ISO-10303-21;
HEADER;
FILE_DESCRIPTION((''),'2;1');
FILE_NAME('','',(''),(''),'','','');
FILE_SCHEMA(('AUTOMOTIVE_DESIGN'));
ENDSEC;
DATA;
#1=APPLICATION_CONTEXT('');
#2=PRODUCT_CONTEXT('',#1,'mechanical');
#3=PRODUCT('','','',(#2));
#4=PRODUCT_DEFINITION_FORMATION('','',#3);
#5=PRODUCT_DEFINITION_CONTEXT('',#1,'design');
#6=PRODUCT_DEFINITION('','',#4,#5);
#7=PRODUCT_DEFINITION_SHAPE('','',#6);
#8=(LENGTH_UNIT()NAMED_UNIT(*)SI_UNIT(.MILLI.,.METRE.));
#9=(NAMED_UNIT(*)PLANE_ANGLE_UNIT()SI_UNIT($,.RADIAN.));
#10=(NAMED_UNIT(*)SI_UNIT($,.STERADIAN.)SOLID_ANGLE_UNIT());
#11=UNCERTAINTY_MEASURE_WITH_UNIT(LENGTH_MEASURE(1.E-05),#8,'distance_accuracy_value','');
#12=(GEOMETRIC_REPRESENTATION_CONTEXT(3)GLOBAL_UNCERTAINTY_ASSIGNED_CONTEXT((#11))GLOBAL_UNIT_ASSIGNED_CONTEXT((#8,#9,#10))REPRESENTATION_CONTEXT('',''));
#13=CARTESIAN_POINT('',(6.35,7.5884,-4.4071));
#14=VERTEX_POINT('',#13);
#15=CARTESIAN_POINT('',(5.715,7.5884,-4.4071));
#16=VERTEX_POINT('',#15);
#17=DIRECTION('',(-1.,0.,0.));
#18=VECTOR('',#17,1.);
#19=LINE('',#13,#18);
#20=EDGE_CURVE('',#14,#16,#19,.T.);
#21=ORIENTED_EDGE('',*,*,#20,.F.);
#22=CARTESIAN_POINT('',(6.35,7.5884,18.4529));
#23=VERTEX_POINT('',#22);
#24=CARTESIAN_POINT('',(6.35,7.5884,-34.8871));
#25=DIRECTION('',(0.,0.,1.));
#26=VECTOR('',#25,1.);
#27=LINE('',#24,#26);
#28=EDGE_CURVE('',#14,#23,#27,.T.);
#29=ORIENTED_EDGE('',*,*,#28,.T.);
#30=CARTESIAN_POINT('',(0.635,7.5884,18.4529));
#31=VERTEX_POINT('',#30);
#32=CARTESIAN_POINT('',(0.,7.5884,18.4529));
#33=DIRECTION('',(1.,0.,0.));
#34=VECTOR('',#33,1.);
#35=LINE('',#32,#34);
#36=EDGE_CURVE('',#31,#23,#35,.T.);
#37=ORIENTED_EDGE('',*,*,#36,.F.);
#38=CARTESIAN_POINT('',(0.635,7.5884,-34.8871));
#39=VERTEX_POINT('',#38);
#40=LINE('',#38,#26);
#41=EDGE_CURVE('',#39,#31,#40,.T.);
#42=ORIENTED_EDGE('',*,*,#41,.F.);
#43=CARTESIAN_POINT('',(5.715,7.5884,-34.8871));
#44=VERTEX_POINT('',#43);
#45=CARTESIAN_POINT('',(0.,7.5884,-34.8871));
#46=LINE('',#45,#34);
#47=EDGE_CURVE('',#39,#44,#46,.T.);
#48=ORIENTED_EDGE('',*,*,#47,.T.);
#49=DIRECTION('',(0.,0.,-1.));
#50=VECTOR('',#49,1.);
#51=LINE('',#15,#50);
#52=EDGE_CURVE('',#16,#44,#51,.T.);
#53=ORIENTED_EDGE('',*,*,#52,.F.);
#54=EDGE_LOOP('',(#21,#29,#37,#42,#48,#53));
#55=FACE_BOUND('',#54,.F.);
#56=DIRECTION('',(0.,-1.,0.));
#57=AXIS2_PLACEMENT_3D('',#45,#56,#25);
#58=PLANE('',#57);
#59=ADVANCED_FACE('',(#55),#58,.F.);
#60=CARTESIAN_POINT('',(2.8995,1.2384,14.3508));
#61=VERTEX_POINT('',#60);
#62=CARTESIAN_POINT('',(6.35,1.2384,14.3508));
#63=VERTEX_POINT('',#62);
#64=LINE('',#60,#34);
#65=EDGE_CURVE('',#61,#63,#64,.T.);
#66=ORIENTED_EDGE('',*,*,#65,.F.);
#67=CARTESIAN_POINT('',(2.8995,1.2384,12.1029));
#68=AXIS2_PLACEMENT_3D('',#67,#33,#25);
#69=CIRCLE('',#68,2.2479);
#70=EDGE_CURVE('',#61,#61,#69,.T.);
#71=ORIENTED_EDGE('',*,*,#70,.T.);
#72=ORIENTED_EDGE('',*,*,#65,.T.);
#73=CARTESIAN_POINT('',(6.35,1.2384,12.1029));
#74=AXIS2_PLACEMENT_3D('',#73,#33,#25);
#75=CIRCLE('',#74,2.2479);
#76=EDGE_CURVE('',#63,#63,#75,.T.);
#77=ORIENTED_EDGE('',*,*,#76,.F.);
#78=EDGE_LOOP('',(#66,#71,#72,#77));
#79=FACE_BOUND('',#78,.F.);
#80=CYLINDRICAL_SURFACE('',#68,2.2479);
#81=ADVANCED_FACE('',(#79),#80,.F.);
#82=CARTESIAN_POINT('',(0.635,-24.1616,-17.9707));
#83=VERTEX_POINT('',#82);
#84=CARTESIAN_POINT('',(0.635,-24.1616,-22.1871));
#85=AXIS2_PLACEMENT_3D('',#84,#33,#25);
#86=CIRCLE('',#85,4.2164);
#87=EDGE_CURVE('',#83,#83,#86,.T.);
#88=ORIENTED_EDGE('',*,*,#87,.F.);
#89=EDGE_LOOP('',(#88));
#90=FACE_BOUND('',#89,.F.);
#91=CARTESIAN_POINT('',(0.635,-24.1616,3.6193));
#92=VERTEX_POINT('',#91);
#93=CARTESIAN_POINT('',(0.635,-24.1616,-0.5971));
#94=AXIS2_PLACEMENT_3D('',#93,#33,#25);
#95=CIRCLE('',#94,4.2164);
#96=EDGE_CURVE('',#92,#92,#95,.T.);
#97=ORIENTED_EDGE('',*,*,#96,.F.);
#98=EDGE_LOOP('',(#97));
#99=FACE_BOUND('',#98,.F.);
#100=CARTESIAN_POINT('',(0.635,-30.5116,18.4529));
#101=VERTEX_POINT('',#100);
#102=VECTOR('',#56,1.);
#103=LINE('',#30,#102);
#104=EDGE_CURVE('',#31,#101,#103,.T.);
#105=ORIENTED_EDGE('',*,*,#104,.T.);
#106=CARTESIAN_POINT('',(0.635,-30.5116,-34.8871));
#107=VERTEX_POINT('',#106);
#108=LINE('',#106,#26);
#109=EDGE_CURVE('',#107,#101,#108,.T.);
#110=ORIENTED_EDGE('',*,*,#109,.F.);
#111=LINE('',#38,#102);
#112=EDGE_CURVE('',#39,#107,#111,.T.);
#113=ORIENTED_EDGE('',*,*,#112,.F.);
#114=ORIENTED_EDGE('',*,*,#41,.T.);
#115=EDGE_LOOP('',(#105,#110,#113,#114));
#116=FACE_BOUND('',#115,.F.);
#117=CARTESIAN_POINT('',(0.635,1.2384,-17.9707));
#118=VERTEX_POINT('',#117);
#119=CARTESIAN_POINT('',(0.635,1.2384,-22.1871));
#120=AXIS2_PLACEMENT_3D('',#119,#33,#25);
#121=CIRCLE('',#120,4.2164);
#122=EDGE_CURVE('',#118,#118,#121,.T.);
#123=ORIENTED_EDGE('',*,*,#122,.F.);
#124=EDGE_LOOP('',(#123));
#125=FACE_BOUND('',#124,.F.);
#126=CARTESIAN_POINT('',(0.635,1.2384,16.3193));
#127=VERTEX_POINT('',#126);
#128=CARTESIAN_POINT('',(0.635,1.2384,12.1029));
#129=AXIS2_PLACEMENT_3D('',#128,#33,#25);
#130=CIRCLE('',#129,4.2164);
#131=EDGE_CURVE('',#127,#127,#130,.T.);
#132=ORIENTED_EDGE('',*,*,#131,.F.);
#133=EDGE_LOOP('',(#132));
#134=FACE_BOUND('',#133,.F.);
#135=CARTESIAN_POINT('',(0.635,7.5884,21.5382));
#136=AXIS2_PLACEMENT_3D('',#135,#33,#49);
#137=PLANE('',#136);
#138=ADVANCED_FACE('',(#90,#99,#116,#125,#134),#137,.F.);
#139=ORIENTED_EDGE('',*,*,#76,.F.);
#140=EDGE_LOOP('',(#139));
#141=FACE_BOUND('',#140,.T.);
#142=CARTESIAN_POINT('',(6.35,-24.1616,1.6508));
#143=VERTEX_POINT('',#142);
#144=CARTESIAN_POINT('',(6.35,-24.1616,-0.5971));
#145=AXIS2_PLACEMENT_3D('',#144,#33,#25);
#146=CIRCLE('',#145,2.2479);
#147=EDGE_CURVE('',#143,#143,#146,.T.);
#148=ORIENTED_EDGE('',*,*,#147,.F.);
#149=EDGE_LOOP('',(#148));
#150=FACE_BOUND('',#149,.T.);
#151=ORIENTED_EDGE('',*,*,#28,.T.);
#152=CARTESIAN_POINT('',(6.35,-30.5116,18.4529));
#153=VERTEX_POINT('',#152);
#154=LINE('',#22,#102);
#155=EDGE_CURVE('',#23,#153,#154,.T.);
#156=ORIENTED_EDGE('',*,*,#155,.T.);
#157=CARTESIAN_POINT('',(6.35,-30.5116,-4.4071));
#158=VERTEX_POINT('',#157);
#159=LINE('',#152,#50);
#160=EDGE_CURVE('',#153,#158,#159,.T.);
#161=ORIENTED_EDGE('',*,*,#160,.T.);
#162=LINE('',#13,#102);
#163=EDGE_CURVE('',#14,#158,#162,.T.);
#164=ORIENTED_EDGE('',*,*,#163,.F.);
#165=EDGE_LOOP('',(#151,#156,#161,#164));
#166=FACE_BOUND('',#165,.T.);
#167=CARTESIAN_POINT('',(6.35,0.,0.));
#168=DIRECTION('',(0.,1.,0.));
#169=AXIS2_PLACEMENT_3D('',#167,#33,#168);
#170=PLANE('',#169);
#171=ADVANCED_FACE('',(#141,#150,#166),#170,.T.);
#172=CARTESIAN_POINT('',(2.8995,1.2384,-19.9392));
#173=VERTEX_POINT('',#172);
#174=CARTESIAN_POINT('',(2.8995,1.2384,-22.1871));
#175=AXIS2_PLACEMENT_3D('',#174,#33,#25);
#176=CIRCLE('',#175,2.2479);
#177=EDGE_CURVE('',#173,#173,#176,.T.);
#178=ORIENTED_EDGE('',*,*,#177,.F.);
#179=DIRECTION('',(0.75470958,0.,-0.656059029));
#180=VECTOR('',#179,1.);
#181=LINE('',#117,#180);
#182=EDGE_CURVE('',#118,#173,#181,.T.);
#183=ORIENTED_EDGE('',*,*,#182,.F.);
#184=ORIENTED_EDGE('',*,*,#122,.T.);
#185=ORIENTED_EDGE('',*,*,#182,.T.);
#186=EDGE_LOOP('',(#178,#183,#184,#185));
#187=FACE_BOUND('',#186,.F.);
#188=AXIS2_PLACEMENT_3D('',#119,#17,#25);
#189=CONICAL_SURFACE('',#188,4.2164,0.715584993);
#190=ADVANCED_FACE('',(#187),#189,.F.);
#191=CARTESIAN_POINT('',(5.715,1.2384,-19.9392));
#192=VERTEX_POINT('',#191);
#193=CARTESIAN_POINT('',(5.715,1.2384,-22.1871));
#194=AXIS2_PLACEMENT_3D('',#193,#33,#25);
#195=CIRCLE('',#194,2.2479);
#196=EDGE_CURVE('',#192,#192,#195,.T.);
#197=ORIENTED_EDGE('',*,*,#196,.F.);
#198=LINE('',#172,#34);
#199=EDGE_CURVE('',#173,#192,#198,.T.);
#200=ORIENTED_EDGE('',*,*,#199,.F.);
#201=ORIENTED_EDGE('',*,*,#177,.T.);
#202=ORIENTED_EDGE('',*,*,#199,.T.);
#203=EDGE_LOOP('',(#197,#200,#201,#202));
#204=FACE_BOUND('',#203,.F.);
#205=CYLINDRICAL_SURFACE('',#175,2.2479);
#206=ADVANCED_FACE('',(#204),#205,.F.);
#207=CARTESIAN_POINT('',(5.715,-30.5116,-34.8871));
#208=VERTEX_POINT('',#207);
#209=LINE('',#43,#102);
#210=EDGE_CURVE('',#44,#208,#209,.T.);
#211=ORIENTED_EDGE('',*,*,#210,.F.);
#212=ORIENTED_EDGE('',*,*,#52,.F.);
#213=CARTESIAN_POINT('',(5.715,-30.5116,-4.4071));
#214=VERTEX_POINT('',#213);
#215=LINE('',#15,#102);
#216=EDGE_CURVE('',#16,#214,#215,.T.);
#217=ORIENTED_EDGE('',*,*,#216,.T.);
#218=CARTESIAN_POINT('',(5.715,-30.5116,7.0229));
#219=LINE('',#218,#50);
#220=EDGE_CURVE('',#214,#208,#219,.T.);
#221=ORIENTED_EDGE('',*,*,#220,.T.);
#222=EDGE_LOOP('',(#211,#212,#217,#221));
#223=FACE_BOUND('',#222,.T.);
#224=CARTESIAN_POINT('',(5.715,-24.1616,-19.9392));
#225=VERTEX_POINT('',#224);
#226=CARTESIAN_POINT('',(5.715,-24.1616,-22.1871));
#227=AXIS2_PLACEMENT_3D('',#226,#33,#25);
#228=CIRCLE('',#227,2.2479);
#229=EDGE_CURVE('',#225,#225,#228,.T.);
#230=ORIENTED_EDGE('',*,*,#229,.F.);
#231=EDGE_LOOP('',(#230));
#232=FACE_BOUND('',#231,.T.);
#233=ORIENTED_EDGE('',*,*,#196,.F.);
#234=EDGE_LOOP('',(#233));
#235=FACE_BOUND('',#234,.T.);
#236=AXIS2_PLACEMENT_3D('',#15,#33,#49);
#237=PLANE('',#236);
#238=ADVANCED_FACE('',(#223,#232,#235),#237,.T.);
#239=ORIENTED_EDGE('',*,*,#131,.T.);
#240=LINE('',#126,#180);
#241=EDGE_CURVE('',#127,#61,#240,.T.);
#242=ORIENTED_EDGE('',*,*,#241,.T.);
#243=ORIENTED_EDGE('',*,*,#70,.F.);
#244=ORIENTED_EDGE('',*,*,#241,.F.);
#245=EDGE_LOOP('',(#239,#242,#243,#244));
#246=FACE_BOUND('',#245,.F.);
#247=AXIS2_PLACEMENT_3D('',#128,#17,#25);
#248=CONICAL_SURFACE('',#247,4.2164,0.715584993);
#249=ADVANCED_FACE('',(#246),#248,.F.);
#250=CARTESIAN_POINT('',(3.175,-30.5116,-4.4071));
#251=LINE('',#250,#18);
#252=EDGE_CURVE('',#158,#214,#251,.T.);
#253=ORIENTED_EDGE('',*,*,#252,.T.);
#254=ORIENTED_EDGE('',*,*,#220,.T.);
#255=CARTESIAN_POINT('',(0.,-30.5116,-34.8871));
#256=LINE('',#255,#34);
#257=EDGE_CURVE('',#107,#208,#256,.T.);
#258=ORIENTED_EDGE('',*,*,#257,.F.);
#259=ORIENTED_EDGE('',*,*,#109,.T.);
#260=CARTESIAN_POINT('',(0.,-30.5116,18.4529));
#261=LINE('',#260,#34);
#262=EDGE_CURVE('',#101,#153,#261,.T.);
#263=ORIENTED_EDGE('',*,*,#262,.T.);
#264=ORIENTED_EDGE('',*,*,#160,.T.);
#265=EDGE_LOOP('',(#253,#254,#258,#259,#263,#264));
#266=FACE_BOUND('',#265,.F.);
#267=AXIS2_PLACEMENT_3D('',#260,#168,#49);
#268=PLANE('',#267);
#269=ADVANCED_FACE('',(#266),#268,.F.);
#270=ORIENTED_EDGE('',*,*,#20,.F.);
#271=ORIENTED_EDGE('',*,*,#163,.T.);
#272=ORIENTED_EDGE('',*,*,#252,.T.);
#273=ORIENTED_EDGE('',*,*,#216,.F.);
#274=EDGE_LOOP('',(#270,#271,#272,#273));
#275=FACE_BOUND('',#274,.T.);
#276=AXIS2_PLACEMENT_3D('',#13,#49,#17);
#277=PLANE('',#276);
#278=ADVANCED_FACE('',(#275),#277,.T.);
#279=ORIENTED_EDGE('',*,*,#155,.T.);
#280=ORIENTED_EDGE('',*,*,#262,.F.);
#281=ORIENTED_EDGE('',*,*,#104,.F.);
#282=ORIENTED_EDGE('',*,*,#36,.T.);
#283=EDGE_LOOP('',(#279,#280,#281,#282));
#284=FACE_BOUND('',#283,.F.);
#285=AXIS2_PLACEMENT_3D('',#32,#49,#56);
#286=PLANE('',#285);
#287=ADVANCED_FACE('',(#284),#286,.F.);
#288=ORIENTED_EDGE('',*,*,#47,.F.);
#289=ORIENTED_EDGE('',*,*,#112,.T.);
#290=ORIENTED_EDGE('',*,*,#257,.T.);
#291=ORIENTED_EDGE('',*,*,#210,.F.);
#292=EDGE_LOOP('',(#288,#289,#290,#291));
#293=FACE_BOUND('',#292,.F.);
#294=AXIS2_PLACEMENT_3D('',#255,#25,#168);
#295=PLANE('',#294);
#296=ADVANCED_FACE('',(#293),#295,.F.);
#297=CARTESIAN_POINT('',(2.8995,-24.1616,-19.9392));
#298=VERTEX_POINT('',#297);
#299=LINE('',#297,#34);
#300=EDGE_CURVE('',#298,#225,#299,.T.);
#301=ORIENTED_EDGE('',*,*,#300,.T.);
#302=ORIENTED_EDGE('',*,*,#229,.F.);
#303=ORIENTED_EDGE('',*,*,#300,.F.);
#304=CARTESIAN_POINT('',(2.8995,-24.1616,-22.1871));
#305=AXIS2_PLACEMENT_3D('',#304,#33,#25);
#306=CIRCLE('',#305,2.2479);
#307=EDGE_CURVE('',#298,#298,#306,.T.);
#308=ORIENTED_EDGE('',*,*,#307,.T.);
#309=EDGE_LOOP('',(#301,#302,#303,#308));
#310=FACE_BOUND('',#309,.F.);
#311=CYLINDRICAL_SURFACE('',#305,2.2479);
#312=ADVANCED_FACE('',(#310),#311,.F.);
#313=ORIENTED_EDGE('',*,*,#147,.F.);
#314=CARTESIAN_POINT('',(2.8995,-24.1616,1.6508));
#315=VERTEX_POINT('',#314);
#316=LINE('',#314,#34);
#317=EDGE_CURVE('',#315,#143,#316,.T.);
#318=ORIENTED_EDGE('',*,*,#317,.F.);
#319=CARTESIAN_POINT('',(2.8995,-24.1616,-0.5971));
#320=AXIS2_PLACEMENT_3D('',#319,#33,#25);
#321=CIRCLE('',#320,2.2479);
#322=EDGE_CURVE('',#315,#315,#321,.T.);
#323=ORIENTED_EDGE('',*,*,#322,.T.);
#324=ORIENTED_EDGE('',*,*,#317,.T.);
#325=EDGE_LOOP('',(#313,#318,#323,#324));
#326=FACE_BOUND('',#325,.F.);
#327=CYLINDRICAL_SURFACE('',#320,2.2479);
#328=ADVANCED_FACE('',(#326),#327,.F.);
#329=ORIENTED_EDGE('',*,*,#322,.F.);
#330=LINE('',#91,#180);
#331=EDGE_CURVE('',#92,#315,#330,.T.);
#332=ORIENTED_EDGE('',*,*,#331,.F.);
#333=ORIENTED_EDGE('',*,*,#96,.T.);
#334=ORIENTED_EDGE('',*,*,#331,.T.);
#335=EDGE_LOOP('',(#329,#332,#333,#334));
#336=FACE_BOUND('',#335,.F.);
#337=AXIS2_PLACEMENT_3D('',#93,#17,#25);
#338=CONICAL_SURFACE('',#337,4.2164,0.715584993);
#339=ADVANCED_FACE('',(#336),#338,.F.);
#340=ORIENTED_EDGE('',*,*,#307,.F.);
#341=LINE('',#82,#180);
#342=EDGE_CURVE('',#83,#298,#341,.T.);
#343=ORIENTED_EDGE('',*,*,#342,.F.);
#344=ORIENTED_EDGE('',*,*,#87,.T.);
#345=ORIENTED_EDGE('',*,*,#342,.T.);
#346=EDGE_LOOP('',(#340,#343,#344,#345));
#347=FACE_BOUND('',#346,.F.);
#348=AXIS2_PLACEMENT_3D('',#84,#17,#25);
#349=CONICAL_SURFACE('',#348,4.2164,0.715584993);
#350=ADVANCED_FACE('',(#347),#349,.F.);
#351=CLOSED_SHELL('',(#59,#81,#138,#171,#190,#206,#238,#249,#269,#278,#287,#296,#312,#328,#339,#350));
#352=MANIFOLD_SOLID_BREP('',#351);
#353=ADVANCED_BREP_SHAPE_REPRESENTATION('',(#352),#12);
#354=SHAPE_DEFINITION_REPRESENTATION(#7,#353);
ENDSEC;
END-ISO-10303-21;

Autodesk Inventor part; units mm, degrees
ref_plane "YZ Plane" through (0, 0, 0) normal (1, 0, 0) x (0, 1, 0)
ref_plane "XZ Plane" through (0, 0, 0) normal (0, 1, 0) x (-1, 0, 0)
ref_plane "XY Plane" through (0, 0, 0) normal (0, 0, 1) x (1, 0, 0)
sketch "Sketch1" plane through (0, 0, 0) normal (1, 0, 0) x (0, 1, 0)
  line L0 (7.5884, 18.4529) -> (-30.5116, 18.4529)
  line L1 (-30.5116, 18.4529) -> (-30.5116, -34.8871)
  line L2 (-30.5116, -34.8871) -> (7.5884, -34.8871)
  line L3 (7.5884, -34.8871) -> (7.5884, 18.4529)
  point P0 (0, 0)
  dimension "d0" = 53.34
  dimension "d1" = 38.1
extrude "Extrusion1" add sketch "Sketch1" along normal blind 6.35
sketch "Sketch3" plane through (0, 7.5884, 18.4529) normal (0, 1, 0) x (1, 0, 0)
  line L0 (0, 22.86) -> (0.635, 22.86)
  line L1 (0.635, 22.86) -> (0.635, 53.34)
  line L2 (0.635, 53.34) -> (0, 53.34)
  line L3 (0, 53.34) -> (0, 22.86)
  line L4 (5.715, 53.34) -> (6.35, 53.34)
  line L5 (6.35, 53.34) -> (6.35, 22.86)
  line L6 (6.35, 22.86) -> (5.715, 22.86)
  line L7 (5.715, 22.86) -> (5.715, 53.34)
  line L8 (6.35, 53.34) -> (6.35, 0) projected
  line L9 (0, 53.34) -> (0, 0) projected
  line L10 (0, 53.34) -> (6.35, 53.34) projected
  point P0 (0, 18.4529)
  dimension "d19" = 30.48
  dimension "d20" = 30.48
  dimension "d21" = 0
  dimension "d22" = 0
  dimension "d23" = 0.635
  dimension "d24" = 0.635
  dimension "d25" = 0
extrude "Extrusion2" cut sketch "Sketch3" against normal blind 50.8
sketch "Sketch4" plane through (0, 7.5884, 18.4529) normal (0, 1, 0) x (1, 0, 0)
  line L0 (0.635, 34.7601) -> (-3.8704, 34.7601)
  line L1 (-3.8704, 34.7601) -> (-3.8704, -3.0853)
  line L2 (-3.8704, -3.0853) -> (0.635, -3.0853)
  line L3 (0.635, -3.0853) -> (0.635, 34.7601)
  line L4 (0.635, 53.34) -> (0.635, 22.86) projected
  point P0 (0, 18.4529)
  point P1 (0.635, 53.34)
  dimension "d28" = 0
extrude "Extrusion3" cut sketch "Sketch4" against normal blind 50.8
sketch "Sketch5" plane through (0.635, 7.5884, -34.8871) normal (-1, 0, 0) x (0, 0, 1)
  line L0 (53.34, 0) -> (53.34, -38.1) projected
  line L1 (0, 0) -> (53.34, 0) projected
  line L2 (0, -38.1) -> (0, 0) projected
  point P0 (34.8871, -7.5884)
  point P1 (46.99, -6.35)
  point P2 (34.29, -31.75)
  point P3 (53.34, -38.1)
  point P4 (12.7, -31.75)
  point P5 (12.7, -6.35)
  point P6 (52.07, -25.4)
  point P7 (5.08, 0)
  dimension "d31" = 6.35
  dimension "d32" = 6.35
  dimension "d33" = 31.75
  dimension "d34" = 19.05
  dimension "d35" = 31.75
  dimension "d36" = 12.7
  dimension "d37" = 12.7
  dimension "d38" = 6.35
hole "Hole2" at (0.635, 1.2384, 12.1029) at (0.635, -24.1616, -0.5971) at (0.635, -24.1616, -22.1871) at (0.635, 1.2384, -22.1871) direction (1, 0, 0) diameter 4.4958 end through all countersink diameter 8.4328 countersink angle 82 clearance for "Flat Head Machine Screw (82)" size "#8" standard "Ansi Unified Screw Threads"
properties part number "GripperSidePlate"
